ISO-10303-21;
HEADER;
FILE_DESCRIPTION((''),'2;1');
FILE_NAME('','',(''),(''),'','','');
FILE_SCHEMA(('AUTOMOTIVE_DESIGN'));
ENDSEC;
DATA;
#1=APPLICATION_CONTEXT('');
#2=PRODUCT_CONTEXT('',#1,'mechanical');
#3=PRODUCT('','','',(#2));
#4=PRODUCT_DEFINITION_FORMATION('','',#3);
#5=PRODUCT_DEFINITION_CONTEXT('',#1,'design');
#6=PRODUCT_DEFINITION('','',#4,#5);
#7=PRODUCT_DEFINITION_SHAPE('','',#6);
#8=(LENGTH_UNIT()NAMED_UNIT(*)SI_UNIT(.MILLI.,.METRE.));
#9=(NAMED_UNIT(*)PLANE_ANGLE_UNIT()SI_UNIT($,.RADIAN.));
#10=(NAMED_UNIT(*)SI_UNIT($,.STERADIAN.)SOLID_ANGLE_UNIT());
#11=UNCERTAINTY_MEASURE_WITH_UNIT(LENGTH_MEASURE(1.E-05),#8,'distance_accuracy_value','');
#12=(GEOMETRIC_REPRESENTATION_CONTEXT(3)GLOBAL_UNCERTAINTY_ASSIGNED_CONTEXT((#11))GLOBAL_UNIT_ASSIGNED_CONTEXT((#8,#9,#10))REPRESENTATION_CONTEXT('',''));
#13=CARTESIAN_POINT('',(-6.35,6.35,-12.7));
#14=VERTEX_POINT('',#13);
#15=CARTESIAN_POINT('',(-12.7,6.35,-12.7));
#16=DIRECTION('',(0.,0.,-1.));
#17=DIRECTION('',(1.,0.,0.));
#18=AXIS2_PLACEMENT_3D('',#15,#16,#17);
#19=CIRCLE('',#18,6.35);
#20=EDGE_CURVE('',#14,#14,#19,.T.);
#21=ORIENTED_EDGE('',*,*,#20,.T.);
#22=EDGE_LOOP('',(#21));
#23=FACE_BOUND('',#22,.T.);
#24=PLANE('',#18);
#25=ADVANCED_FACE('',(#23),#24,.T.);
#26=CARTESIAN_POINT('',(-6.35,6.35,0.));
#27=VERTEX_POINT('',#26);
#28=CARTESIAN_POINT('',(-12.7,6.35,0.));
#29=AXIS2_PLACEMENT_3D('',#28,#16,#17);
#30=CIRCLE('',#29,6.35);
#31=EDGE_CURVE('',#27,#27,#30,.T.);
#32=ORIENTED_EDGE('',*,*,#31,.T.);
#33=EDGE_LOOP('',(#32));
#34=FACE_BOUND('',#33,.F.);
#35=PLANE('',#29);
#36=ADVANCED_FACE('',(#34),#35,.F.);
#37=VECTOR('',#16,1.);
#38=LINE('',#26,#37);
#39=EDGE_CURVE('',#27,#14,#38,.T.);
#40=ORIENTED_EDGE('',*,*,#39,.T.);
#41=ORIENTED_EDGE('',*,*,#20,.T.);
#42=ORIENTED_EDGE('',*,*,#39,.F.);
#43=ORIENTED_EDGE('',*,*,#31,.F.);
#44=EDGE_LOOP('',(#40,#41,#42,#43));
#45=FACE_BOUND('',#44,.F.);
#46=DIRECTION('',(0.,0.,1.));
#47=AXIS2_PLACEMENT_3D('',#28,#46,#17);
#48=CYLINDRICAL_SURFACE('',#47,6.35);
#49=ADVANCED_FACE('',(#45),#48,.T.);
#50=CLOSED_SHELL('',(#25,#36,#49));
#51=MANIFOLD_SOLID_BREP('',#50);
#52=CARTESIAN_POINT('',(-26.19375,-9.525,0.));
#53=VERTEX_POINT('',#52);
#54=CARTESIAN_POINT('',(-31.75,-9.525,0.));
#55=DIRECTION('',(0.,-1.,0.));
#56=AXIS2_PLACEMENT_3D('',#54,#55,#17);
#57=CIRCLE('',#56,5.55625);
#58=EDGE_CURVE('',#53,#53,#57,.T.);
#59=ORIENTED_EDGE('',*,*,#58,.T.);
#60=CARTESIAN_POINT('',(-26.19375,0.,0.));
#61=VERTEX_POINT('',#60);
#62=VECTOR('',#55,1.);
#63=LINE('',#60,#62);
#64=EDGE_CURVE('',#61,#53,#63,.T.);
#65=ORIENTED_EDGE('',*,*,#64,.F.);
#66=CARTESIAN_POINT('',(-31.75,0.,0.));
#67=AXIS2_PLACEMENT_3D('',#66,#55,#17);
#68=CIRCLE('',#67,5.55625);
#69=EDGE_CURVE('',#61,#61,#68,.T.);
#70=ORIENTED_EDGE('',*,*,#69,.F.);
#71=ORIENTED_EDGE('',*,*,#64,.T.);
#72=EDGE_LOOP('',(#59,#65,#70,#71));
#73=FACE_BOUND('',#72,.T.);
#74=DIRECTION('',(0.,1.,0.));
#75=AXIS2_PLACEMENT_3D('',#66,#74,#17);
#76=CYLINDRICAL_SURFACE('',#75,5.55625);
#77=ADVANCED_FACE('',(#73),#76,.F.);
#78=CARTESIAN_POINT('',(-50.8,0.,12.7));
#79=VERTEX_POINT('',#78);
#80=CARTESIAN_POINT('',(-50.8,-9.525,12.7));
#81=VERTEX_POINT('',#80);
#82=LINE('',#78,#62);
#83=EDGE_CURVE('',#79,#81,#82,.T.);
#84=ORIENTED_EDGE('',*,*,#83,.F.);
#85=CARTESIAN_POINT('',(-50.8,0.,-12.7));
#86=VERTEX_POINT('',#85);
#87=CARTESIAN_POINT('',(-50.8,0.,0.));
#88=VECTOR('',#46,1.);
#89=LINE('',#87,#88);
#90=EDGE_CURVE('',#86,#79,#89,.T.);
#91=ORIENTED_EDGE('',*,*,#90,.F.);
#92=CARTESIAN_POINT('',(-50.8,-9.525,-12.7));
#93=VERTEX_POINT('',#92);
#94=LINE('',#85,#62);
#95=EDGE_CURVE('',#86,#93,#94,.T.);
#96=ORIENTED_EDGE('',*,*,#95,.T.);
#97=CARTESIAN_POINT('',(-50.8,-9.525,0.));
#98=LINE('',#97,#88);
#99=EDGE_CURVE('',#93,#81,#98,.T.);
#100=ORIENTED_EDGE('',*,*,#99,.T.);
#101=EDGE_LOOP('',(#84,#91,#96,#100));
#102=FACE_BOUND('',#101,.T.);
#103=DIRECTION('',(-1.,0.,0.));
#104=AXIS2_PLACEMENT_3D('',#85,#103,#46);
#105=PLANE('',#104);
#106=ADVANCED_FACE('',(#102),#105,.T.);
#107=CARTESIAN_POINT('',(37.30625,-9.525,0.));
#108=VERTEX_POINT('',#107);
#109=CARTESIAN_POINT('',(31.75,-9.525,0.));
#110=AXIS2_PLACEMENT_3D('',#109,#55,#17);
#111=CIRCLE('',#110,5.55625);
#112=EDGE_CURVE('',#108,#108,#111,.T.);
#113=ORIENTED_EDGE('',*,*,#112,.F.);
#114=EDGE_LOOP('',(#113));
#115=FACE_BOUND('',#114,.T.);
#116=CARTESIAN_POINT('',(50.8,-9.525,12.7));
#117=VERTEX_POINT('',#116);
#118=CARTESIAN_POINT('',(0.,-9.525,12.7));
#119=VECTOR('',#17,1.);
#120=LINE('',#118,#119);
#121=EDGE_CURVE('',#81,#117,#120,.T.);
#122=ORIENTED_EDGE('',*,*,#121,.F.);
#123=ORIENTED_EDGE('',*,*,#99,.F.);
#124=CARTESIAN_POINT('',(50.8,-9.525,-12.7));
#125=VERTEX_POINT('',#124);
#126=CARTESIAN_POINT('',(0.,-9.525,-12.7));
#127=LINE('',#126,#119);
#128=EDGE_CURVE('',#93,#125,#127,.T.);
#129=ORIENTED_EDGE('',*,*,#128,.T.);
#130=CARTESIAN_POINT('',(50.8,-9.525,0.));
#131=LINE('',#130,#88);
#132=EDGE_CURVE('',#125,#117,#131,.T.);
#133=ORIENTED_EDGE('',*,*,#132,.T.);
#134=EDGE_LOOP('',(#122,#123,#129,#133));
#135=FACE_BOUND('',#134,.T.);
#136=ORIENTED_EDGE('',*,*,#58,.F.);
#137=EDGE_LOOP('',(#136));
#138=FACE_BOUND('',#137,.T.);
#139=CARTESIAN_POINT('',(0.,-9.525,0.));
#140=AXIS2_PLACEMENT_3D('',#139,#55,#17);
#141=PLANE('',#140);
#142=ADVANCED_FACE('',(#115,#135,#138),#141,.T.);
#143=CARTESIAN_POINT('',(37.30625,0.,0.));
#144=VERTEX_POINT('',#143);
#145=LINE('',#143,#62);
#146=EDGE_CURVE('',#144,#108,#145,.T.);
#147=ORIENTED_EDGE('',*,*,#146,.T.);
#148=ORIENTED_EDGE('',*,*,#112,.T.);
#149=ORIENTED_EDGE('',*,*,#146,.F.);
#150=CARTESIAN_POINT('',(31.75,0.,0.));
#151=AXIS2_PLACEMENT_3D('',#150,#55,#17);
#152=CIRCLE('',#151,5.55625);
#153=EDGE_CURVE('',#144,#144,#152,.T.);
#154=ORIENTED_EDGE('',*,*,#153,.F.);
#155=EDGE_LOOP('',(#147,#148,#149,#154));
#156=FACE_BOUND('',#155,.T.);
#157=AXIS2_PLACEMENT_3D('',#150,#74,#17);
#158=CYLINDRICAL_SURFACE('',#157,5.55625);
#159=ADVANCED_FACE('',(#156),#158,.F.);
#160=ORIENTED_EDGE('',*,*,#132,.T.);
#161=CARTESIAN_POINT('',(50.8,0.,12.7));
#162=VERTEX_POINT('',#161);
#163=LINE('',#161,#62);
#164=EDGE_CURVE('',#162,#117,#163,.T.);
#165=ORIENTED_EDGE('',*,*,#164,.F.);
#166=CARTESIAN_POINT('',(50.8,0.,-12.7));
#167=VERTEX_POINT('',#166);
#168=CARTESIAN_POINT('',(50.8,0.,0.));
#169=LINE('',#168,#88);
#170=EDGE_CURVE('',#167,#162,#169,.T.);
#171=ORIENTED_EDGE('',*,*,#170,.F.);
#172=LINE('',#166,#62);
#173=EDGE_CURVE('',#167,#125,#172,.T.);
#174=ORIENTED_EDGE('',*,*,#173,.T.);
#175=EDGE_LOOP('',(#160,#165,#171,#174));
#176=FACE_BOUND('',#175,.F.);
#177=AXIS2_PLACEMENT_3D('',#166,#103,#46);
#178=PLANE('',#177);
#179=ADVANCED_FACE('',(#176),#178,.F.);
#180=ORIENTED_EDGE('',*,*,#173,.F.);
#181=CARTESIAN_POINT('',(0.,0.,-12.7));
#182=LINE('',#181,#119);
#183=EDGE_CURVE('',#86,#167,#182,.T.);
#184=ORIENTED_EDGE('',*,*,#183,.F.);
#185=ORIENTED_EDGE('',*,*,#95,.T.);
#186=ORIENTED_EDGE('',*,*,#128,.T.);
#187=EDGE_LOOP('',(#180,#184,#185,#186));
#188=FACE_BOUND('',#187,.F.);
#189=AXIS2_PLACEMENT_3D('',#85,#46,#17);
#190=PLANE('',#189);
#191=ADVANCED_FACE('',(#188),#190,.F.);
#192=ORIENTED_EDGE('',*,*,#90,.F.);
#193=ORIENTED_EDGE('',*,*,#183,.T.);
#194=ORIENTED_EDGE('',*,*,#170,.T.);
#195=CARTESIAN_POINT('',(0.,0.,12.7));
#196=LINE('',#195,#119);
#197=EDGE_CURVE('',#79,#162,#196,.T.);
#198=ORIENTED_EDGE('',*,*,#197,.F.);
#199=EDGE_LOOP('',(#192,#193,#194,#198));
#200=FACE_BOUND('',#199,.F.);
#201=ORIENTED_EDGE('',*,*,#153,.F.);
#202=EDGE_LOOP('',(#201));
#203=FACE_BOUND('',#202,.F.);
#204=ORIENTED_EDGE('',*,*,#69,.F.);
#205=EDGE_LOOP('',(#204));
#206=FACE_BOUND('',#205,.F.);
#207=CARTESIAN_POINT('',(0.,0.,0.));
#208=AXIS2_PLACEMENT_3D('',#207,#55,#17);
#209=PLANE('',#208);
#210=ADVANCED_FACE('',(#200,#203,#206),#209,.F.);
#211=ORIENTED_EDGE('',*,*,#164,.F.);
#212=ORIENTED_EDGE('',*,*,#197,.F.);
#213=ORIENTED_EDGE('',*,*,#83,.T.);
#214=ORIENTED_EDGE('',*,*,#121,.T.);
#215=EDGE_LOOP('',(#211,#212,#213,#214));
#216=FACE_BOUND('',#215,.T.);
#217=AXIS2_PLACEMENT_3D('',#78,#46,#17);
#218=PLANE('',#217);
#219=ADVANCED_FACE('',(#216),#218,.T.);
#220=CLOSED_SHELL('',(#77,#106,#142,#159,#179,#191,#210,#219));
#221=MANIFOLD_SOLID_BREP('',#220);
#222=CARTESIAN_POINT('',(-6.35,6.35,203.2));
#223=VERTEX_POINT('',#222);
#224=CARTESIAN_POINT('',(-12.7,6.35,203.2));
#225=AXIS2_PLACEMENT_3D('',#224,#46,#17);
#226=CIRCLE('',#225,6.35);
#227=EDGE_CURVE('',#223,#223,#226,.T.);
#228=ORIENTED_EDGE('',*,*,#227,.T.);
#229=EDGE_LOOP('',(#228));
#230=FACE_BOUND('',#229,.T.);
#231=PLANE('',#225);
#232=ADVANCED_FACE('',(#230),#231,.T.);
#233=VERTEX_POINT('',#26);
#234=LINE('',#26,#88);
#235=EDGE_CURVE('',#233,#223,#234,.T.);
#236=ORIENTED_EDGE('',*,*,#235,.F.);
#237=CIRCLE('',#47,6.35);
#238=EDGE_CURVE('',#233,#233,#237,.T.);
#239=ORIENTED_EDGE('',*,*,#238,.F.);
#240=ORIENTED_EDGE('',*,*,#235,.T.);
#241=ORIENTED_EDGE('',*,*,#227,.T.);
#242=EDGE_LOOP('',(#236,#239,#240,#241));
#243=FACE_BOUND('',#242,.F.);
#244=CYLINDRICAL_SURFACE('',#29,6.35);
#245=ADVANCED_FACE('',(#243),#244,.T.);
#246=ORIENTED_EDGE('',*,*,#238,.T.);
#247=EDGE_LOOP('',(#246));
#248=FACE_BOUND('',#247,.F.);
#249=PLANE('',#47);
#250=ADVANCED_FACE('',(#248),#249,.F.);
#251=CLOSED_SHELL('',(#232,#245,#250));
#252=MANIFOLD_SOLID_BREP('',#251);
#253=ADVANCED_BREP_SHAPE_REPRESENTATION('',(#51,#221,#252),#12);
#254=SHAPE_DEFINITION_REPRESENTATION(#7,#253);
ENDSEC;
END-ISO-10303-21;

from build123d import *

# Parameters (mm, degrees)
F0_W      = 101.6
F0_H      = 25.4
F0_R      = 5.55625
F1_DEPTH  = 9.525
F2_R      = 6.35
F3_DEPTH  = 203.2
F3_FACE_R = 6.35
F4_DEPTH  = 12.7


with BuildPart() as f1:
    # F0 (on Front) → F1 (new body)
    with BuildSketch(Plane.XZ):
        Rectangle(F0_W, F0_H)
        with Locations((-31.75, 0)):
            Circle(F0_R, mode=Mode.SUBTRACT)
        with Locations((31.75, 0)):
            Circle(F0_R, mode=Mode.SUBTRACT)
    extrude(amount=F1_DEPTH)


with BuildPart() as f3:
    # F2 (on Top) → F3 (new body)
    with BuildSketch(Plane.XY):
        with Locations((-12.7, 6.35)):
            Circle(F2_R)
    extrude(amount=F3_DEPTH)


with BuildPart() as f4:
    # F3_face (on face) → F4 (new body)
    with BuildSketch(Plane(origin=(-12.7, 6.35, 0), x_dir=(1, 0, 0), z_dir=(0, 0, -1))):
        Circle(F3_FACE_R)
    extrude(amount=F4_DEPTH)


solid = Compound([f1.part, f3.part, f4.part])
